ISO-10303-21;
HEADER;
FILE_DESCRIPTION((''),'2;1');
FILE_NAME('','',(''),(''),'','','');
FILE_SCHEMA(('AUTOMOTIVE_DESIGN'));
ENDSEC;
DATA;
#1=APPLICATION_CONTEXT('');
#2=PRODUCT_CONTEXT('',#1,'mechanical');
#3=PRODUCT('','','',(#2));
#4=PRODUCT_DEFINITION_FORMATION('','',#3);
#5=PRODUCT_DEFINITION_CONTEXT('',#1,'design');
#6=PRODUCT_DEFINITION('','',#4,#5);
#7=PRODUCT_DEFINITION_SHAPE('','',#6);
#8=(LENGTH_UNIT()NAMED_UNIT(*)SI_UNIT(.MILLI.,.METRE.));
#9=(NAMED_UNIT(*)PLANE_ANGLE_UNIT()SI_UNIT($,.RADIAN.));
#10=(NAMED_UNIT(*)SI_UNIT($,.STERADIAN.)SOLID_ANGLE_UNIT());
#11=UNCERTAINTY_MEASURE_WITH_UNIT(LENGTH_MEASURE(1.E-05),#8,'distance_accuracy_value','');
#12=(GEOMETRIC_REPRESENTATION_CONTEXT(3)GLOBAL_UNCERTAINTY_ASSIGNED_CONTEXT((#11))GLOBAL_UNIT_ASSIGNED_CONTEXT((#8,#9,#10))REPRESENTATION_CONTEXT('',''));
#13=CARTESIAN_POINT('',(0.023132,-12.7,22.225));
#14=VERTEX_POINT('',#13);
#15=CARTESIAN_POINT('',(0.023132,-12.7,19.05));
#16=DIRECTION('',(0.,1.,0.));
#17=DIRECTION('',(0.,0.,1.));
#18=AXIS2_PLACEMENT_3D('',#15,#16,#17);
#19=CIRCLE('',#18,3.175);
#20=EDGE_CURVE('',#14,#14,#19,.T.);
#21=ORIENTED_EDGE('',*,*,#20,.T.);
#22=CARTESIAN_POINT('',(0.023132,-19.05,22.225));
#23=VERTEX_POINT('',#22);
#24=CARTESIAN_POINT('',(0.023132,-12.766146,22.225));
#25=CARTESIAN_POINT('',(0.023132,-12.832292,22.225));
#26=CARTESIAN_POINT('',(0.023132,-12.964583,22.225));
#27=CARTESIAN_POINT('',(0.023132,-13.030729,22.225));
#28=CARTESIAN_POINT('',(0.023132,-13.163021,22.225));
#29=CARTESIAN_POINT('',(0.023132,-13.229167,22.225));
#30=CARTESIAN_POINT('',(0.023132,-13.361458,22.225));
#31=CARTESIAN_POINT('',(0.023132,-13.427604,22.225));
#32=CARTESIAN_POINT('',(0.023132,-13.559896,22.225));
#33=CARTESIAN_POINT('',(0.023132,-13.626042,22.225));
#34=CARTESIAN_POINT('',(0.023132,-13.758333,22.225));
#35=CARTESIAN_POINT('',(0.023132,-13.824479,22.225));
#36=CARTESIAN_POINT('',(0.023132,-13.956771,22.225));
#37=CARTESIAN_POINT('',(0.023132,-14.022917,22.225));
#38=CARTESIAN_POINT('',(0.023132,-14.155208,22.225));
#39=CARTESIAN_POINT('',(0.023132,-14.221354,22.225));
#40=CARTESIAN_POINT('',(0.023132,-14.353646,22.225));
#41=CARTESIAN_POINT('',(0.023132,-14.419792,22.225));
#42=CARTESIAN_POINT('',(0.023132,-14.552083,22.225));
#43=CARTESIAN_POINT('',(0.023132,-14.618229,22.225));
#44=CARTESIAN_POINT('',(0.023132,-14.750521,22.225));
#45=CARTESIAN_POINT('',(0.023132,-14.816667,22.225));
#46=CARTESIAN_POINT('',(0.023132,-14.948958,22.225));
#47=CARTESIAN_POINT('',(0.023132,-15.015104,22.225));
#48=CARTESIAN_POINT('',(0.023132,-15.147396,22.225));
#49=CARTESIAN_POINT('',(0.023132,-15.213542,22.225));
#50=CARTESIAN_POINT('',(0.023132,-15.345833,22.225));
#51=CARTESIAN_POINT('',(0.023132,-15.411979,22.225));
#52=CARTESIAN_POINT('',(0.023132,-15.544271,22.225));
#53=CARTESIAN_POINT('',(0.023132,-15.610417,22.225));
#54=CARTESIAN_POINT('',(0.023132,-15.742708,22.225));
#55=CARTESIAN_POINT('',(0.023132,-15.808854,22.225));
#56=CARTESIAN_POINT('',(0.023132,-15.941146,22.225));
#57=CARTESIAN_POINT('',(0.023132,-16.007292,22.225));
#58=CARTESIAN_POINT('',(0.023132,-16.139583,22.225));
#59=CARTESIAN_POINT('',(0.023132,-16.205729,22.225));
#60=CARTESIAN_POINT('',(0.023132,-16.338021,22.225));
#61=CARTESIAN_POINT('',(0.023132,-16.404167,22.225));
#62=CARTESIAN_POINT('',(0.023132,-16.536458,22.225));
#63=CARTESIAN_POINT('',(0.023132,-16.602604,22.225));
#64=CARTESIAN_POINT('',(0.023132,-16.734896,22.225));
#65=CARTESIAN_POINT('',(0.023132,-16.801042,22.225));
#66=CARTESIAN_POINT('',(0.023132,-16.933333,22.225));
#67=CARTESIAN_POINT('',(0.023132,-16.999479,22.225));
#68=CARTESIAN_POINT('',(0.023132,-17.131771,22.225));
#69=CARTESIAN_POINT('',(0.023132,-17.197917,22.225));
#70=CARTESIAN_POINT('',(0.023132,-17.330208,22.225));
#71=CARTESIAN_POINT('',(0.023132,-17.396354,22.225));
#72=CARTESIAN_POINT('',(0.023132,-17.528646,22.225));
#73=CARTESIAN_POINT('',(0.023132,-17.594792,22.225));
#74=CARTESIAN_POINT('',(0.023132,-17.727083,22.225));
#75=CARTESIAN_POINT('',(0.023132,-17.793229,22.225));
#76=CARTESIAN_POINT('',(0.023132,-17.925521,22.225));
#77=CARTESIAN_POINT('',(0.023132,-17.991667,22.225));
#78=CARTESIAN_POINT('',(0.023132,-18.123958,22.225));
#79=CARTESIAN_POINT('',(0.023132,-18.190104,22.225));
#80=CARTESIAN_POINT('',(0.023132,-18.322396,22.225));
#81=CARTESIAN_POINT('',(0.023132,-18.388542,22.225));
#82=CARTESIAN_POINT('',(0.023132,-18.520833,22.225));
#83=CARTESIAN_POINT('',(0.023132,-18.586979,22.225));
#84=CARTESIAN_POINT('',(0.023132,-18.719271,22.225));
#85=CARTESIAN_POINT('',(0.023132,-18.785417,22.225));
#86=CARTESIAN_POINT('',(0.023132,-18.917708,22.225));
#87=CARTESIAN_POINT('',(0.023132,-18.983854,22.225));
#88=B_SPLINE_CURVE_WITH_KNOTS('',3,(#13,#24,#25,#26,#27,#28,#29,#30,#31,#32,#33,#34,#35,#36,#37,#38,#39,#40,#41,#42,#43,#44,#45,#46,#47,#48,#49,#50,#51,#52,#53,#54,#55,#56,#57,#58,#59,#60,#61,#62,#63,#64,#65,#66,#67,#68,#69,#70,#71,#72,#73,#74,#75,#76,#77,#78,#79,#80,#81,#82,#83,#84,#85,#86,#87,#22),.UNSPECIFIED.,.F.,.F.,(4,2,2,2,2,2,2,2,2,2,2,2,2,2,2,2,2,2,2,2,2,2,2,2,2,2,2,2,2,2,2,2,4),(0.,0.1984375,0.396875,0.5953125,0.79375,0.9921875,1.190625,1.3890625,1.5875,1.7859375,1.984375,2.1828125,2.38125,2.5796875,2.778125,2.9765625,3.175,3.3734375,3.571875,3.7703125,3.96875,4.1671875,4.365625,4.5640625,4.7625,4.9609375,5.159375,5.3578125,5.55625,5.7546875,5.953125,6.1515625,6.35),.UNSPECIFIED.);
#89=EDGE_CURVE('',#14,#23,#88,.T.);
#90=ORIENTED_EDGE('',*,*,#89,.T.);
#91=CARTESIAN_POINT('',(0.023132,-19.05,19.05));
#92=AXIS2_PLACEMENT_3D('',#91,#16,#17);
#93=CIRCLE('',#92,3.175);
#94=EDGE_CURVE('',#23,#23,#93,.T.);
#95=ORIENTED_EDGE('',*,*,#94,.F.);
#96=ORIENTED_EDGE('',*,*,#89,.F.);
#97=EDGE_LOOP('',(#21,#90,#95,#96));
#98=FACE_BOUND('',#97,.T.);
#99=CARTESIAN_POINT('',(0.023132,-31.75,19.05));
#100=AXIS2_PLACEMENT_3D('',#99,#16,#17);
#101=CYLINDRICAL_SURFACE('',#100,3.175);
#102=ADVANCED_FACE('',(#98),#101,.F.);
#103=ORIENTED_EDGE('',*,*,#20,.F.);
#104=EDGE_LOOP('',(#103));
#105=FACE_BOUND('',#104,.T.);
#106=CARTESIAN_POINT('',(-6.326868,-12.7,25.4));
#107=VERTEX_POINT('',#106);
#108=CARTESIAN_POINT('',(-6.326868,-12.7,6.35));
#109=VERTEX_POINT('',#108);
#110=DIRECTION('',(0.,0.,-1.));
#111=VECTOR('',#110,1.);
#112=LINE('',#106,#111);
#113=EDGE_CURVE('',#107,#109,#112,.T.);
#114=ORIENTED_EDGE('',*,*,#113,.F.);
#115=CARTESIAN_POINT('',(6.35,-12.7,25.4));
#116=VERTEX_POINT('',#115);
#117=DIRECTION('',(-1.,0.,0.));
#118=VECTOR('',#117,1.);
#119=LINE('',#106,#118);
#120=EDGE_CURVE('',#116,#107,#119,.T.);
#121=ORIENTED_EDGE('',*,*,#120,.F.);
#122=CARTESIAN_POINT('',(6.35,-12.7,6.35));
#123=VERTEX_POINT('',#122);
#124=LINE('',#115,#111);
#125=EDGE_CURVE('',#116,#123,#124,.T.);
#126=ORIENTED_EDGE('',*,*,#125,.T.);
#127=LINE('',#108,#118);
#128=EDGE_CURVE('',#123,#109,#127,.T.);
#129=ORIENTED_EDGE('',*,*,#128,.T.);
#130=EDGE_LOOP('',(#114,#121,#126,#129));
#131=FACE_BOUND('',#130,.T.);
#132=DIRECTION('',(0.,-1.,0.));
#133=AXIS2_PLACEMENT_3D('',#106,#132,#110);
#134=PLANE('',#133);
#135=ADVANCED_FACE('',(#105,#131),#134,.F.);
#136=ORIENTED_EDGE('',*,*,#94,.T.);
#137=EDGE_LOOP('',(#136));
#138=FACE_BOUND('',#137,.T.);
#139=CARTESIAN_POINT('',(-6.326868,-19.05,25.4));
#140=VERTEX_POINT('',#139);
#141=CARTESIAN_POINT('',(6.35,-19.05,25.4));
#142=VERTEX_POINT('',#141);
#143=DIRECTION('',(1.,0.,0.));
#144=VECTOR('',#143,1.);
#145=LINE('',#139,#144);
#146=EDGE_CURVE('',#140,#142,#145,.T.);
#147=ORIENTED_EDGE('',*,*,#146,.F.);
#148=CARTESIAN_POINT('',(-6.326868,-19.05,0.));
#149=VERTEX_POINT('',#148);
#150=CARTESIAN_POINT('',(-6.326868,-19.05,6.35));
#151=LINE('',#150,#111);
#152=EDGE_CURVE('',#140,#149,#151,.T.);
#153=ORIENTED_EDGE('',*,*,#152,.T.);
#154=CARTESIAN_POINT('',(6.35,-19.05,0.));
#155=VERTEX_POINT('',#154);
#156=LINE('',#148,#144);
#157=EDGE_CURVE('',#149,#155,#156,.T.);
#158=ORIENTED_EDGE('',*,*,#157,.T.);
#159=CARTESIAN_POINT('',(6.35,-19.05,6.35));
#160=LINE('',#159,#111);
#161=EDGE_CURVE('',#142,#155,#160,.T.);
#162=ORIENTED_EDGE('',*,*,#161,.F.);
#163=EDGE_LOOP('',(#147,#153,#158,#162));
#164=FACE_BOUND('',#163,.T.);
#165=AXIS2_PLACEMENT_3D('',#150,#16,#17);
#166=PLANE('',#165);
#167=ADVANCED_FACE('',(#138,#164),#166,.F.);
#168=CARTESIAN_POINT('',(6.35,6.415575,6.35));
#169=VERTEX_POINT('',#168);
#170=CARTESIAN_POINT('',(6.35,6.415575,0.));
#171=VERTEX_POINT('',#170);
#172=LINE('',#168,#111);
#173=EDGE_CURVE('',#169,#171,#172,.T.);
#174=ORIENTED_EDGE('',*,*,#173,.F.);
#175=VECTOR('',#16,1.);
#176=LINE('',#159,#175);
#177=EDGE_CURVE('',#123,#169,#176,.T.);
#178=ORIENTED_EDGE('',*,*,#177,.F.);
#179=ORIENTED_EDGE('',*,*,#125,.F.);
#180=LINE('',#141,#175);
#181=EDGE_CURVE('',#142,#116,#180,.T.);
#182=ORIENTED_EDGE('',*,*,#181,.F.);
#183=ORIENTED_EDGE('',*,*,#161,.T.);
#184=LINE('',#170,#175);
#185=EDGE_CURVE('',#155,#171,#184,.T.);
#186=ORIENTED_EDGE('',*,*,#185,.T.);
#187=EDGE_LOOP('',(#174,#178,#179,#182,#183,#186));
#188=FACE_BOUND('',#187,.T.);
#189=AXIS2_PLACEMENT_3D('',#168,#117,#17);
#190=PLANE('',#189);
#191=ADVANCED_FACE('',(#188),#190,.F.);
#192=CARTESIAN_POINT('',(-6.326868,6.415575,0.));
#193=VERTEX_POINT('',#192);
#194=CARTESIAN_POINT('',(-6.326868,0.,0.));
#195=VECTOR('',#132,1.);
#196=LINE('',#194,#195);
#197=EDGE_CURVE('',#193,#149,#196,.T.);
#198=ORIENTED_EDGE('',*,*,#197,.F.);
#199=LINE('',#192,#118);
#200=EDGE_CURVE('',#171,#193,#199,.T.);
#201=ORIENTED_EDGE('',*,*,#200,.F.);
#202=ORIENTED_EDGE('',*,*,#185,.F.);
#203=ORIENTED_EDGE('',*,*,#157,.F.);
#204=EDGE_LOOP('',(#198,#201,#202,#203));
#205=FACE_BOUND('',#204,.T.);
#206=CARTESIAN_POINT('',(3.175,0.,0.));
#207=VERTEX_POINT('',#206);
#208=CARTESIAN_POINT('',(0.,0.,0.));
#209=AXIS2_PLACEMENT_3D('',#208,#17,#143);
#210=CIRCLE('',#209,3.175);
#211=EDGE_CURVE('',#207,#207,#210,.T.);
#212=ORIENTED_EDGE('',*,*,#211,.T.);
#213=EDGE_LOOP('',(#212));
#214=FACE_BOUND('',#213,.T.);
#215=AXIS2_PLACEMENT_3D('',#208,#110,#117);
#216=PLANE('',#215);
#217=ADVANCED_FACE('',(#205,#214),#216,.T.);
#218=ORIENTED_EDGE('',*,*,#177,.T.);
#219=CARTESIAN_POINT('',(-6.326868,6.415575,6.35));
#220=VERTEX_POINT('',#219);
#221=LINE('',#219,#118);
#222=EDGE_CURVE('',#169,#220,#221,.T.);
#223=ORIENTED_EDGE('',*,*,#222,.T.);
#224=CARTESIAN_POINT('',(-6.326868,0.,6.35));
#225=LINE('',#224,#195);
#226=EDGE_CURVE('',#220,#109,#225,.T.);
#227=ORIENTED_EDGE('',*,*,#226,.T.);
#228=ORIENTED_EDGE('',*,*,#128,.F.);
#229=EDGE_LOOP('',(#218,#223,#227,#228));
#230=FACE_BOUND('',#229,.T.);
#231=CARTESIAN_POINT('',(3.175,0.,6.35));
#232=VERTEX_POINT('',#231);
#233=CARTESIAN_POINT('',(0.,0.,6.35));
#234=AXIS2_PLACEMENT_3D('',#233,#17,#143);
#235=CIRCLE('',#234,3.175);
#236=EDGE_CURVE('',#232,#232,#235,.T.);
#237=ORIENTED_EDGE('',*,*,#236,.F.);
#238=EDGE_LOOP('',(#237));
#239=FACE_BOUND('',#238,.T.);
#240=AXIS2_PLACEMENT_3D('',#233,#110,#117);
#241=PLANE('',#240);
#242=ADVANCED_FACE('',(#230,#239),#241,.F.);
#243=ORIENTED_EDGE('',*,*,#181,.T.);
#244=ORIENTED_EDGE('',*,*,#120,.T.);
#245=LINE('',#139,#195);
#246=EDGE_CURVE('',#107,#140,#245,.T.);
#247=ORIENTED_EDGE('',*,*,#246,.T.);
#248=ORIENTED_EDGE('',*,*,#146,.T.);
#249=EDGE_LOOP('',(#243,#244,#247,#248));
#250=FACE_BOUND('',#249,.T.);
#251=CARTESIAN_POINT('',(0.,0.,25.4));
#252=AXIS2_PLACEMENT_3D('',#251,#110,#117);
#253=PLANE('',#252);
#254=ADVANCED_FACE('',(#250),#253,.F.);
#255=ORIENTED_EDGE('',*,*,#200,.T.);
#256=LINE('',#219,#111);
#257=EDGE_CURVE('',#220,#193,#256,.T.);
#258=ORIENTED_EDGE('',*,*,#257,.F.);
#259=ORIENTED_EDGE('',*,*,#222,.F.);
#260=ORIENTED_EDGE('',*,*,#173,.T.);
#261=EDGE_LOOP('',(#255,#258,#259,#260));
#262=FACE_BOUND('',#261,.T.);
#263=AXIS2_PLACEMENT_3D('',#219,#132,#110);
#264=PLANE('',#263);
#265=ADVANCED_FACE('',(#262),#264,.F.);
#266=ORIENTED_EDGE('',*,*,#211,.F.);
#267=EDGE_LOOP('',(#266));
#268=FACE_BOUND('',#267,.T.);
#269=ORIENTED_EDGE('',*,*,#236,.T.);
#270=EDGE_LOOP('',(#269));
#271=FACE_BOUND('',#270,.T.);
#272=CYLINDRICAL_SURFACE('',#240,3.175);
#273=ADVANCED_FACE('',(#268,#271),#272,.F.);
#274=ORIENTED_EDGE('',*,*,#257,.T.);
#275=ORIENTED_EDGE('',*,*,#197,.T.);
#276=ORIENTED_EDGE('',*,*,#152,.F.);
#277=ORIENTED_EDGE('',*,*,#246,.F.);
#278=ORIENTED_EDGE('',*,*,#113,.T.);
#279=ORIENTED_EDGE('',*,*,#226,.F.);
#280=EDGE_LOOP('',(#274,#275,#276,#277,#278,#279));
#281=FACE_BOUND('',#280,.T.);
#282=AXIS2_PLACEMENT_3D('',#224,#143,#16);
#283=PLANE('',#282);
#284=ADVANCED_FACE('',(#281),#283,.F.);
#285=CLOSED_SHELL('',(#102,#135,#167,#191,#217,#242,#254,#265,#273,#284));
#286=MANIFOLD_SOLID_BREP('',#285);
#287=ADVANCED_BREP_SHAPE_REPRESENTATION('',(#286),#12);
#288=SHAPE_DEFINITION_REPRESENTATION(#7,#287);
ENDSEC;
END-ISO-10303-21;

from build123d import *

# Parameters (mm, degrees)
SKETCH1_R           = 3.175
BOSS_EXTRUDE1_DEPTH = 6.35
SKETCH2_W           = 12.676867833
SKETCH2_H           = 6.35
BOSS_EXTRUDE2_DEPTH = 19.05
SKETCH3_R           = 3.175
CUT_EXTRUDE1_DEPTH  = 19.05


with BuildPart() as part:
    # Sketch1 → Boss-Extrude1 (new body)
    with BuildSketch(Plane.XY):
        Polygon((-6.326867833, 0), (-6.326867833, -19.05), (6.35, -19.05), (6.35, 0), (6.35, 6.415574662), (-6.326867833, 6.415574662), align=None)
        Circle(SKETCH1_R, mode=Mode.SUBTRACT)
    extrude(amount=BOSS_EXTRUDE1_DEPTH)

    # Sketch2 → Boss-Extrude2 (add)
    with BuildSketch(Plane.XY.offset(6.35)):
        with Locations((0.011566083, -15.875)):
            Rectangle(SKETCH2_W, SKETCH2_H)
    extrude(amount=BOSS_EXTRUDE2_DEPTH)

    # Sketch3 → Cut-Extrude1 (cut)
    with BuildSketch(Plane(origin=(0, -12.7, 0), x_dir=(1, 0, 0), z_dir=(0, 1, 0))):
        with Locations(Location((0.023132167, -19.05, 0), (0, 0, 270))):
            Circle(SKETCH3_R)
    extrude(amount=-CUT_EXTRUDE1_DEPTH, mode=Mode.SUBTRACT)


solid = part.part
